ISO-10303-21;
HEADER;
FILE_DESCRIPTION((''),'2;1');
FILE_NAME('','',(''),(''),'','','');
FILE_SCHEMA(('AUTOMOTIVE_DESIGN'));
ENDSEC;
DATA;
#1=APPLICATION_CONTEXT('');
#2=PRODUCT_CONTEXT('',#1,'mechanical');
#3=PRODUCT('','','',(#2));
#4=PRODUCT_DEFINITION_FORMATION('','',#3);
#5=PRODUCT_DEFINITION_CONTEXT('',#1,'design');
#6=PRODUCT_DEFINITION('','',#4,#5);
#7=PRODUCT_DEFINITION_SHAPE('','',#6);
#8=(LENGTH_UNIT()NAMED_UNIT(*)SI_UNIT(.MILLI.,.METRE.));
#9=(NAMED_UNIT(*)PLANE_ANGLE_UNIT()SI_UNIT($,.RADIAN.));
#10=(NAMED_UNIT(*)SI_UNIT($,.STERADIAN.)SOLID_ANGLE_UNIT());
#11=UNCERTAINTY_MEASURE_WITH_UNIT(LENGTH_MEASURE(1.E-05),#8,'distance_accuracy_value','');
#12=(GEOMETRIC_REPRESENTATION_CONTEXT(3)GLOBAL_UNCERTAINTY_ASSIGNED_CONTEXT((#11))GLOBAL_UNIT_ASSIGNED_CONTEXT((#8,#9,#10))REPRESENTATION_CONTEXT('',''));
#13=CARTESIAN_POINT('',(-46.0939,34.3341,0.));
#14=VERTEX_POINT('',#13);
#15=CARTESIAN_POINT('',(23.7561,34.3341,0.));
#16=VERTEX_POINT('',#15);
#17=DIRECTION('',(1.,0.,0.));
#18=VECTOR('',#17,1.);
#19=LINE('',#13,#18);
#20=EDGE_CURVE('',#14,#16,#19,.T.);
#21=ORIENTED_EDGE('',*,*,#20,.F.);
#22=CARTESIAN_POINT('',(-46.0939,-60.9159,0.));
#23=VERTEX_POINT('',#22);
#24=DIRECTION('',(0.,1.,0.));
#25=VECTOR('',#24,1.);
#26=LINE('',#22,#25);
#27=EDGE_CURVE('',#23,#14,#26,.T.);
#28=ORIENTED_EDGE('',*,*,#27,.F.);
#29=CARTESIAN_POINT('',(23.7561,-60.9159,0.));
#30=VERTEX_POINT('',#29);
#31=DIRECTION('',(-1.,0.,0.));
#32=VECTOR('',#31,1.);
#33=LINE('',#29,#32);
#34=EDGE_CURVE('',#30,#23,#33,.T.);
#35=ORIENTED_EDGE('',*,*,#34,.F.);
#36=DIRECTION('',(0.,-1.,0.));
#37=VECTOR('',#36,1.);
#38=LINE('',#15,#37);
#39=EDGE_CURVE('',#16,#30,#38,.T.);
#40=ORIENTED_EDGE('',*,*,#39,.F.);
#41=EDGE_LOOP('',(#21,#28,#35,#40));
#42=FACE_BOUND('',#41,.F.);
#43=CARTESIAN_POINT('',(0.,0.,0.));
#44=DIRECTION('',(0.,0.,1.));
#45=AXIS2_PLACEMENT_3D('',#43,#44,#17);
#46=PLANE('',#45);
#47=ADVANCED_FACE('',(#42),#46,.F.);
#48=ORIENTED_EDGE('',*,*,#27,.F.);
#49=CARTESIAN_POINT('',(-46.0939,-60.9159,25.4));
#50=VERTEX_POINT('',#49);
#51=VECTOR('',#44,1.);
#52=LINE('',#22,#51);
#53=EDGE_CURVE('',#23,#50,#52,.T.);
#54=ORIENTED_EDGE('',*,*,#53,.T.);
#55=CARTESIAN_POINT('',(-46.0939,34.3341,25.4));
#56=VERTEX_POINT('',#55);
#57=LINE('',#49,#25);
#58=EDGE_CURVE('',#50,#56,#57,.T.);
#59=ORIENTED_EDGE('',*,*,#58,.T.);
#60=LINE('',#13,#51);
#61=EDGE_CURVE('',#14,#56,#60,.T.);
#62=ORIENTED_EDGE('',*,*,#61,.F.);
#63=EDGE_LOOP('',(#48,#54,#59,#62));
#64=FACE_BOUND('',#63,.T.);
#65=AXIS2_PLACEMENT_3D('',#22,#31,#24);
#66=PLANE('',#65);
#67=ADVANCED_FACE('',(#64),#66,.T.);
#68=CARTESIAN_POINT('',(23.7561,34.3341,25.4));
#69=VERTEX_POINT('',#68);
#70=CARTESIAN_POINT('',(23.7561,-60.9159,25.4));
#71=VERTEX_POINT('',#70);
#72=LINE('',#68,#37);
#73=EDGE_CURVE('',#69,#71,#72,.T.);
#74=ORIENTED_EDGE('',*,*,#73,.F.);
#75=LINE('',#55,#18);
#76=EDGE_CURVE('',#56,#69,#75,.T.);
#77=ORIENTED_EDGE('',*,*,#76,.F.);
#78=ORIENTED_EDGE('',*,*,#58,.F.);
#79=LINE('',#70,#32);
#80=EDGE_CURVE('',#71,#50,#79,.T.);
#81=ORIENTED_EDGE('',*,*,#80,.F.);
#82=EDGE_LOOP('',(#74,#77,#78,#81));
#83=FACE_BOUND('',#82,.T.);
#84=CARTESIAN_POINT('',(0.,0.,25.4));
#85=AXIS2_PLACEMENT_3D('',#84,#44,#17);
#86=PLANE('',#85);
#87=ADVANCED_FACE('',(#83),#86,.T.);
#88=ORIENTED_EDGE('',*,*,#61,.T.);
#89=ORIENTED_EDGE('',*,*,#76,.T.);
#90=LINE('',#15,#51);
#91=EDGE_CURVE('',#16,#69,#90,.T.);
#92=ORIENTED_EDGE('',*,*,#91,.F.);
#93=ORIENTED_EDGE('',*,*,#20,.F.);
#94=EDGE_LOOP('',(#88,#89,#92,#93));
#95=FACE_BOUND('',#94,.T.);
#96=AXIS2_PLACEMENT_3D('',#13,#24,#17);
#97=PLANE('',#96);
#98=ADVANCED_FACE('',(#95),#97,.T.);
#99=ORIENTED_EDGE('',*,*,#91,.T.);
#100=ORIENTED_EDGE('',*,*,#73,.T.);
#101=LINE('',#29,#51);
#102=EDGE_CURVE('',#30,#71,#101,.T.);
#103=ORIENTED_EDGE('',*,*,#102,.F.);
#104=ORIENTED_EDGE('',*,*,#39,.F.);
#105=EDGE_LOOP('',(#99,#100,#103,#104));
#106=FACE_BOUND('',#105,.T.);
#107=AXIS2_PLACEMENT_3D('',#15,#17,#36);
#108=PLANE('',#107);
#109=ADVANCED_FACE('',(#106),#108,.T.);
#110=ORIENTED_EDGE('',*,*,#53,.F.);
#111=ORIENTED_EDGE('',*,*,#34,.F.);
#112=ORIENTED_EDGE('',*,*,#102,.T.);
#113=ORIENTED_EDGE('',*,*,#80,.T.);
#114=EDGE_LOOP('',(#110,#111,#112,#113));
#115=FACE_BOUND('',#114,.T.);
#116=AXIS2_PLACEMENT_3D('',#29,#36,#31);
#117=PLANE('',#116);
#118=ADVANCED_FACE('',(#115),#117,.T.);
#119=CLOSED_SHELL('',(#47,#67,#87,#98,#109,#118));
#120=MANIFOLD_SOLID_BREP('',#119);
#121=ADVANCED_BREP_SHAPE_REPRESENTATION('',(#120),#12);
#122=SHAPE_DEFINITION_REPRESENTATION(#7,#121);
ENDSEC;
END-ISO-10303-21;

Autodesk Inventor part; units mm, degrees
ref_plane "YZ Plane" through (0, 0, 0) normal (1, 0, 0) x (0, 1, 0)
ref_plane "XZ Plane" through (0, 0, 0) normal (0, 1, 0) x (-1, 0, 0)
ref_plane "XY Plane" through (0, 0, 0) normal (0, 0, 1) x (1, 0, 0)
sketch "Sketch1" plane through (0, 0, 0) normal (0, 0, 1) x (1, 0, 0)
  line L0 (-46.0939, 34.3341) -> (23.7561, 34.3341)
  line L1 (23.7561, 34.3341) -> (23.7561, -60.9159)
  line L2 (23.7561, -60.9159) -> (-46.0939, -60.9159)
  line L3 (-46.0939, -60.9159) -> (-46.0939, 34.3341)
  point P0 (0, 0)
  dimension "d0" = 69.85
  dimension "d1" = 95.25
extrude "Extrusion1" add sketch "Sketch1" along normal blind 25.4
properties part number "mesh_rAUTRE"
